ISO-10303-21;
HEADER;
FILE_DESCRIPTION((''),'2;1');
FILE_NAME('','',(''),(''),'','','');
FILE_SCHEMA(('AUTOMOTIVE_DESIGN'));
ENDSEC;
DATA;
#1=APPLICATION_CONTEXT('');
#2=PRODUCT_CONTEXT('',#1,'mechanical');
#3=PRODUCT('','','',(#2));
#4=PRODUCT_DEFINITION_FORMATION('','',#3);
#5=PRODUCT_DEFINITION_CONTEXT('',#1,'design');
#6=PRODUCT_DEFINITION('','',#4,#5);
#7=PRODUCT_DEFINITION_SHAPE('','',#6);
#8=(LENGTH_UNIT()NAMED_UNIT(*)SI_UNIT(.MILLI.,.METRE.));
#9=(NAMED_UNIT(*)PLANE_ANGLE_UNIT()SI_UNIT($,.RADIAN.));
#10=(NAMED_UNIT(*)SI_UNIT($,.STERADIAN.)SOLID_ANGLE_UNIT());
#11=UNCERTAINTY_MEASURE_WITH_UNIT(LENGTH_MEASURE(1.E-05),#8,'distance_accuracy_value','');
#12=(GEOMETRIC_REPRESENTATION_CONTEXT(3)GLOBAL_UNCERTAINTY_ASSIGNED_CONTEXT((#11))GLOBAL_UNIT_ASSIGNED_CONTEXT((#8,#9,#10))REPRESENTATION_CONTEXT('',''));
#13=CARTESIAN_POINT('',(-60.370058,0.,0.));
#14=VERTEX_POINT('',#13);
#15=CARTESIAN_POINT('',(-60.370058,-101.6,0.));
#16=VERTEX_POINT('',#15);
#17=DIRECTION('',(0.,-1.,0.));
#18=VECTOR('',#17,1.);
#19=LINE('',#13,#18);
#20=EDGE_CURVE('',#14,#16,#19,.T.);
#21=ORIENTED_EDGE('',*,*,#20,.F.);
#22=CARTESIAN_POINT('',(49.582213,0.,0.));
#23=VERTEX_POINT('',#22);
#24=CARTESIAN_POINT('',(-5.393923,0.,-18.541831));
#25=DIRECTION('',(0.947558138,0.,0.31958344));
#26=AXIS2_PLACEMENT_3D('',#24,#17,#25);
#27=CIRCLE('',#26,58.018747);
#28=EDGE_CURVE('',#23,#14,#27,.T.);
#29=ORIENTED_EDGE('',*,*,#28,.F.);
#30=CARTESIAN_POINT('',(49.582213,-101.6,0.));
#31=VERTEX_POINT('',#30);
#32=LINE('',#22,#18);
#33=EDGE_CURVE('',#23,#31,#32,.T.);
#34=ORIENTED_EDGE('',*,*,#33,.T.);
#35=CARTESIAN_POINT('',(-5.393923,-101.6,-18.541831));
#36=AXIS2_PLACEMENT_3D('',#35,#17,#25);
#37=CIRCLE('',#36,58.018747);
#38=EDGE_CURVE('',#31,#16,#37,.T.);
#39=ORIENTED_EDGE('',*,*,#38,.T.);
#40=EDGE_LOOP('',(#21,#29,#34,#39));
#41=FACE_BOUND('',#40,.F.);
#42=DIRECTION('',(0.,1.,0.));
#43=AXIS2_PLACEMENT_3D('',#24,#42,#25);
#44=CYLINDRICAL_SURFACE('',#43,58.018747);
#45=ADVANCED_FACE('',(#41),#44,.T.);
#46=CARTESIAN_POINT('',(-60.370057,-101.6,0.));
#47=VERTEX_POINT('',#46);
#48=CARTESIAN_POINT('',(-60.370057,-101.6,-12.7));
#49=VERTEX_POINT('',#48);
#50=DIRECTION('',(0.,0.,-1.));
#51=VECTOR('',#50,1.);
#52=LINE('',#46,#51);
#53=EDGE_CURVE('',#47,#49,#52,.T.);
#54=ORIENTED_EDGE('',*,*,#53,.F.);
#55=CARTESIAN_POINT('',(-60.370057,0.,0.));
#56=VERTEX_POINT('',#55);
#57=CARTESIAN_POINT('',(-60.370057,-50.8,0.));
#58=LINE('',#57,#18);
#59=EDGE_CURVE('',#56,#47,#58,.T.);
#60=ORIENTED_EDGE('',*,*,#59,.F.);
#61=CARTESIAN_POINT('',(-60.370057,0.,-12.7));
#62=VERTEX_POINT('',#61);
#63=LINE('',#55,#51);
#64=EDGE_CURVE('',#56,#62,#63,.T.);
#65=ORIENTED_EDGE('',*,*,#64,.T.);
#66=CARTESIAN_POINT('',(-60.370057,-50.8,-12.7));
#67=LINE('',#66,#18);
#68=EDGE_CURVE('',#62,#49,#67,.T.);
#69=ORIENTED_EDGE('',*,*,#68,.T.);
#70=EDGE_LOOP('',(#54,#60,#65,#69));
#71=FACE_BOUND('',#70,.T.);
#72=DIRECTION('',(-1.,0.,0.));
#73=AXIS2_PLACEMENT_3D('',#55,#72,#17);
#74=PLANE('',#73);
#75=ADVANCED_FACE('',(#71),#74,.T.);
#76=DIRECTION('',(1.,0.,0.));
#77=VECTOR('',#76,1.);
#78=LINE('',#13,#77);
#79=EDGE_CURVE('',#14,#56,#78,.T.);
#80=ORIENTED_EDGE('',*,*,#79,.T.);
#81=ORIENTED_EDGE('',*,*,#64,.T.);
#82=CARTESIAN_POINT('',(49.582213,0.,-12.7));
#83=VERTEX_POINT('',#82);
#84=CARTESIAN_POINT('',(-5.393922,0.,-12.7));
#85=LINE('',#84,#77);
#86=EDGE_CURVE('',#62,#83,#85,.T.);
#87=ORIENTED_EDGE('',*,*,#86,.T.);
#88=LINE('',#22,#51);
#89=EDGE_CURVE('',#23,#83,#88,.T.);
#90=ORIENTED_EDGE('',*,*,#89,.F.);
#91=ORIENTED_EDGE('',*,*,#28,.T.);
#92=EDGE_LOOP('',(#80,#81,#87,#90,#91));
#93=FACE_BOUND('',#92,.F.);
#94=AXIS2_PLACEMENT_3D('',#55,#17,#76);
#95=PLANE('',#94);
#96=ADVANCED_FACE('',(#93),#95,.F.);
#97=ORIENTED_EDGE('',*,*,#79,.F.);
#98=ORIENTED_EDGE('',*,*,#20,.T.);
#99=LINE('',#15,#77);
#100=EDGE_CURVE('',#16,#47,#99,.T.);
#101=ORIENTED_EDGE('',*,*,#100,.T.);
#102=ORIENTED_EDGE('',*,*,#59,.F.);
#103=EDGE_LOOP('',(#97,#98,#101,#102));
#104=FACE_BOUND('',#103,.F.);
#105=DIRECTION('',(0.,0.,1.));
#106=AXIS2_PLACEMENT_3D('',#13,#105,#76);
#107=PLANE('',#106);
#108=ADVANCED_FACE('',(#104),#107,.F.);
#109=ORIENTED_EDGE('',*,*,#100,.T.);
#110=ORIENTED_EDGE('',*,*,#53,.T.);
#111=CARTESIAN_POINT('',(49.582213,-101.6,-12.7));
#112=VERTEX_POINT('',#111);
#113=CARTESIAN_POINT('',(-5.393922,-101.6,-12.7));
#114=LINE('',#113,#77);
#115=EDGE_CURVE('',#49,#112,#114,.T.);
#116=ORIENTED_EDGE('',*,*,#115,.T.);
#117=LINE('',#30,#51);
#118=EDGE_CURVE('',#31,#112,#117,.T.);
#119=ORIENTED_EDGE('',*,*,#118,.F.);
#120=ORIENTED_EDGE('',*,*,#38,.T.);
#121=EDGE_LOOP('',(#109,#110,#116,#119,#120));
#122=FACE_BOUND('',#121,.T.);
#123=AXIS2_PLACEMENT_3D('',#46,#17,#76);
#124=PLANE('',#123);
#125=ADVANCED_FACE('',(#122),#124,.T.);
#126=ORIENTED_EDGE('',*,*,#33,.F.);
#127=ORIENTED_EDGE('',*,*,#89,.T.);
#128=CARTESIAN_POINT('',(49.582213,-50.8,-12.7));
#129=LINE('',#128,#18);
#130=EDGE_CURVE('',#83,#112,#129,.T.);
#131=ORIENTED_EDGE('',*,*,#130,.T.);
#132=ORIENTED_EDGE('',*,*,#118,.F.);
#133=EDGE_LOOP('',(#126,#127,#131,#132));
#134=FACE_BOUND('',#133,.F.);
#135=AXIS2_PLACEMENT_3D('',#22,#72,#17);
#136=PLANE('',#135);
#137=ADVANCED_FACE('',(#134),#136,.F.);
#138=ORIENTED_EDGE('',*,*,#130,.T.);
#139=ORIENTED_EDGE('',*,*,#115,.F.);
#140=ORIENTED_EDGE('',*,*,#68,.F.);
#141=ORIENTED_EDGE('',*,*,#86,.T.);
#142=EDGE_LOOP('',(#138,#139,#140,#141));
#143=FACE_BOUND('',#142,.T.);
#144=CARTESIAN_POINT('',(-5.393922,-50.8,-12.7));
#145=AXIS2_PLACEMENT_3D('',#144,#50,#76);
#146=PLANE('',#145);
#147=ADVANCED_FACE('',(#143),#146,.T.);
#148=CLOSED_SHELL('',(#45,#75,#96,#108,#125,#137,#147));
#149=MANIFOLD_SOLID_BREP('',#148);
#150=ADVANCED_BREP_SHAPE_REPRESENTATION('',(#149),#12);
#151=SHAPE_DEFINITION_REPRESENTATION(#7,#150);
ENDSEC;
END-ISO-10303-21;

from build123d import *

# Parameters (mm, degrees)
F1_DEPTH  = 101.6
F1_FACE_W = 109.95227
F1_FACE_H = 101.6
F2_DEPTH  = 12.7


with BuildPart() as f1:
    # F0 (on Front) → F1 (new body)
    with BuildSketch(Plane.XZ):
        with BuildLine():
            Line((-60.370058, 0), (49.582213, 0))
            ThreePointArc((49.582213, 0), (-5.393922, 39.476916), (-60.370058, 0))
        make_face()
    extrude(amount=F1_DEPTH)

    # F1_face (on face) → F2 (join)
    with BuildSketch(Plane(origin=(-5.393922, -50.8, 0), x_dir=(1, 0, 0), z_dir=(0, 0, -1))):
        Rectangle(F1_FACE_W, F1_FACE_H)
    extrude(amount=F2_DEPTH)


solid = f1.part
